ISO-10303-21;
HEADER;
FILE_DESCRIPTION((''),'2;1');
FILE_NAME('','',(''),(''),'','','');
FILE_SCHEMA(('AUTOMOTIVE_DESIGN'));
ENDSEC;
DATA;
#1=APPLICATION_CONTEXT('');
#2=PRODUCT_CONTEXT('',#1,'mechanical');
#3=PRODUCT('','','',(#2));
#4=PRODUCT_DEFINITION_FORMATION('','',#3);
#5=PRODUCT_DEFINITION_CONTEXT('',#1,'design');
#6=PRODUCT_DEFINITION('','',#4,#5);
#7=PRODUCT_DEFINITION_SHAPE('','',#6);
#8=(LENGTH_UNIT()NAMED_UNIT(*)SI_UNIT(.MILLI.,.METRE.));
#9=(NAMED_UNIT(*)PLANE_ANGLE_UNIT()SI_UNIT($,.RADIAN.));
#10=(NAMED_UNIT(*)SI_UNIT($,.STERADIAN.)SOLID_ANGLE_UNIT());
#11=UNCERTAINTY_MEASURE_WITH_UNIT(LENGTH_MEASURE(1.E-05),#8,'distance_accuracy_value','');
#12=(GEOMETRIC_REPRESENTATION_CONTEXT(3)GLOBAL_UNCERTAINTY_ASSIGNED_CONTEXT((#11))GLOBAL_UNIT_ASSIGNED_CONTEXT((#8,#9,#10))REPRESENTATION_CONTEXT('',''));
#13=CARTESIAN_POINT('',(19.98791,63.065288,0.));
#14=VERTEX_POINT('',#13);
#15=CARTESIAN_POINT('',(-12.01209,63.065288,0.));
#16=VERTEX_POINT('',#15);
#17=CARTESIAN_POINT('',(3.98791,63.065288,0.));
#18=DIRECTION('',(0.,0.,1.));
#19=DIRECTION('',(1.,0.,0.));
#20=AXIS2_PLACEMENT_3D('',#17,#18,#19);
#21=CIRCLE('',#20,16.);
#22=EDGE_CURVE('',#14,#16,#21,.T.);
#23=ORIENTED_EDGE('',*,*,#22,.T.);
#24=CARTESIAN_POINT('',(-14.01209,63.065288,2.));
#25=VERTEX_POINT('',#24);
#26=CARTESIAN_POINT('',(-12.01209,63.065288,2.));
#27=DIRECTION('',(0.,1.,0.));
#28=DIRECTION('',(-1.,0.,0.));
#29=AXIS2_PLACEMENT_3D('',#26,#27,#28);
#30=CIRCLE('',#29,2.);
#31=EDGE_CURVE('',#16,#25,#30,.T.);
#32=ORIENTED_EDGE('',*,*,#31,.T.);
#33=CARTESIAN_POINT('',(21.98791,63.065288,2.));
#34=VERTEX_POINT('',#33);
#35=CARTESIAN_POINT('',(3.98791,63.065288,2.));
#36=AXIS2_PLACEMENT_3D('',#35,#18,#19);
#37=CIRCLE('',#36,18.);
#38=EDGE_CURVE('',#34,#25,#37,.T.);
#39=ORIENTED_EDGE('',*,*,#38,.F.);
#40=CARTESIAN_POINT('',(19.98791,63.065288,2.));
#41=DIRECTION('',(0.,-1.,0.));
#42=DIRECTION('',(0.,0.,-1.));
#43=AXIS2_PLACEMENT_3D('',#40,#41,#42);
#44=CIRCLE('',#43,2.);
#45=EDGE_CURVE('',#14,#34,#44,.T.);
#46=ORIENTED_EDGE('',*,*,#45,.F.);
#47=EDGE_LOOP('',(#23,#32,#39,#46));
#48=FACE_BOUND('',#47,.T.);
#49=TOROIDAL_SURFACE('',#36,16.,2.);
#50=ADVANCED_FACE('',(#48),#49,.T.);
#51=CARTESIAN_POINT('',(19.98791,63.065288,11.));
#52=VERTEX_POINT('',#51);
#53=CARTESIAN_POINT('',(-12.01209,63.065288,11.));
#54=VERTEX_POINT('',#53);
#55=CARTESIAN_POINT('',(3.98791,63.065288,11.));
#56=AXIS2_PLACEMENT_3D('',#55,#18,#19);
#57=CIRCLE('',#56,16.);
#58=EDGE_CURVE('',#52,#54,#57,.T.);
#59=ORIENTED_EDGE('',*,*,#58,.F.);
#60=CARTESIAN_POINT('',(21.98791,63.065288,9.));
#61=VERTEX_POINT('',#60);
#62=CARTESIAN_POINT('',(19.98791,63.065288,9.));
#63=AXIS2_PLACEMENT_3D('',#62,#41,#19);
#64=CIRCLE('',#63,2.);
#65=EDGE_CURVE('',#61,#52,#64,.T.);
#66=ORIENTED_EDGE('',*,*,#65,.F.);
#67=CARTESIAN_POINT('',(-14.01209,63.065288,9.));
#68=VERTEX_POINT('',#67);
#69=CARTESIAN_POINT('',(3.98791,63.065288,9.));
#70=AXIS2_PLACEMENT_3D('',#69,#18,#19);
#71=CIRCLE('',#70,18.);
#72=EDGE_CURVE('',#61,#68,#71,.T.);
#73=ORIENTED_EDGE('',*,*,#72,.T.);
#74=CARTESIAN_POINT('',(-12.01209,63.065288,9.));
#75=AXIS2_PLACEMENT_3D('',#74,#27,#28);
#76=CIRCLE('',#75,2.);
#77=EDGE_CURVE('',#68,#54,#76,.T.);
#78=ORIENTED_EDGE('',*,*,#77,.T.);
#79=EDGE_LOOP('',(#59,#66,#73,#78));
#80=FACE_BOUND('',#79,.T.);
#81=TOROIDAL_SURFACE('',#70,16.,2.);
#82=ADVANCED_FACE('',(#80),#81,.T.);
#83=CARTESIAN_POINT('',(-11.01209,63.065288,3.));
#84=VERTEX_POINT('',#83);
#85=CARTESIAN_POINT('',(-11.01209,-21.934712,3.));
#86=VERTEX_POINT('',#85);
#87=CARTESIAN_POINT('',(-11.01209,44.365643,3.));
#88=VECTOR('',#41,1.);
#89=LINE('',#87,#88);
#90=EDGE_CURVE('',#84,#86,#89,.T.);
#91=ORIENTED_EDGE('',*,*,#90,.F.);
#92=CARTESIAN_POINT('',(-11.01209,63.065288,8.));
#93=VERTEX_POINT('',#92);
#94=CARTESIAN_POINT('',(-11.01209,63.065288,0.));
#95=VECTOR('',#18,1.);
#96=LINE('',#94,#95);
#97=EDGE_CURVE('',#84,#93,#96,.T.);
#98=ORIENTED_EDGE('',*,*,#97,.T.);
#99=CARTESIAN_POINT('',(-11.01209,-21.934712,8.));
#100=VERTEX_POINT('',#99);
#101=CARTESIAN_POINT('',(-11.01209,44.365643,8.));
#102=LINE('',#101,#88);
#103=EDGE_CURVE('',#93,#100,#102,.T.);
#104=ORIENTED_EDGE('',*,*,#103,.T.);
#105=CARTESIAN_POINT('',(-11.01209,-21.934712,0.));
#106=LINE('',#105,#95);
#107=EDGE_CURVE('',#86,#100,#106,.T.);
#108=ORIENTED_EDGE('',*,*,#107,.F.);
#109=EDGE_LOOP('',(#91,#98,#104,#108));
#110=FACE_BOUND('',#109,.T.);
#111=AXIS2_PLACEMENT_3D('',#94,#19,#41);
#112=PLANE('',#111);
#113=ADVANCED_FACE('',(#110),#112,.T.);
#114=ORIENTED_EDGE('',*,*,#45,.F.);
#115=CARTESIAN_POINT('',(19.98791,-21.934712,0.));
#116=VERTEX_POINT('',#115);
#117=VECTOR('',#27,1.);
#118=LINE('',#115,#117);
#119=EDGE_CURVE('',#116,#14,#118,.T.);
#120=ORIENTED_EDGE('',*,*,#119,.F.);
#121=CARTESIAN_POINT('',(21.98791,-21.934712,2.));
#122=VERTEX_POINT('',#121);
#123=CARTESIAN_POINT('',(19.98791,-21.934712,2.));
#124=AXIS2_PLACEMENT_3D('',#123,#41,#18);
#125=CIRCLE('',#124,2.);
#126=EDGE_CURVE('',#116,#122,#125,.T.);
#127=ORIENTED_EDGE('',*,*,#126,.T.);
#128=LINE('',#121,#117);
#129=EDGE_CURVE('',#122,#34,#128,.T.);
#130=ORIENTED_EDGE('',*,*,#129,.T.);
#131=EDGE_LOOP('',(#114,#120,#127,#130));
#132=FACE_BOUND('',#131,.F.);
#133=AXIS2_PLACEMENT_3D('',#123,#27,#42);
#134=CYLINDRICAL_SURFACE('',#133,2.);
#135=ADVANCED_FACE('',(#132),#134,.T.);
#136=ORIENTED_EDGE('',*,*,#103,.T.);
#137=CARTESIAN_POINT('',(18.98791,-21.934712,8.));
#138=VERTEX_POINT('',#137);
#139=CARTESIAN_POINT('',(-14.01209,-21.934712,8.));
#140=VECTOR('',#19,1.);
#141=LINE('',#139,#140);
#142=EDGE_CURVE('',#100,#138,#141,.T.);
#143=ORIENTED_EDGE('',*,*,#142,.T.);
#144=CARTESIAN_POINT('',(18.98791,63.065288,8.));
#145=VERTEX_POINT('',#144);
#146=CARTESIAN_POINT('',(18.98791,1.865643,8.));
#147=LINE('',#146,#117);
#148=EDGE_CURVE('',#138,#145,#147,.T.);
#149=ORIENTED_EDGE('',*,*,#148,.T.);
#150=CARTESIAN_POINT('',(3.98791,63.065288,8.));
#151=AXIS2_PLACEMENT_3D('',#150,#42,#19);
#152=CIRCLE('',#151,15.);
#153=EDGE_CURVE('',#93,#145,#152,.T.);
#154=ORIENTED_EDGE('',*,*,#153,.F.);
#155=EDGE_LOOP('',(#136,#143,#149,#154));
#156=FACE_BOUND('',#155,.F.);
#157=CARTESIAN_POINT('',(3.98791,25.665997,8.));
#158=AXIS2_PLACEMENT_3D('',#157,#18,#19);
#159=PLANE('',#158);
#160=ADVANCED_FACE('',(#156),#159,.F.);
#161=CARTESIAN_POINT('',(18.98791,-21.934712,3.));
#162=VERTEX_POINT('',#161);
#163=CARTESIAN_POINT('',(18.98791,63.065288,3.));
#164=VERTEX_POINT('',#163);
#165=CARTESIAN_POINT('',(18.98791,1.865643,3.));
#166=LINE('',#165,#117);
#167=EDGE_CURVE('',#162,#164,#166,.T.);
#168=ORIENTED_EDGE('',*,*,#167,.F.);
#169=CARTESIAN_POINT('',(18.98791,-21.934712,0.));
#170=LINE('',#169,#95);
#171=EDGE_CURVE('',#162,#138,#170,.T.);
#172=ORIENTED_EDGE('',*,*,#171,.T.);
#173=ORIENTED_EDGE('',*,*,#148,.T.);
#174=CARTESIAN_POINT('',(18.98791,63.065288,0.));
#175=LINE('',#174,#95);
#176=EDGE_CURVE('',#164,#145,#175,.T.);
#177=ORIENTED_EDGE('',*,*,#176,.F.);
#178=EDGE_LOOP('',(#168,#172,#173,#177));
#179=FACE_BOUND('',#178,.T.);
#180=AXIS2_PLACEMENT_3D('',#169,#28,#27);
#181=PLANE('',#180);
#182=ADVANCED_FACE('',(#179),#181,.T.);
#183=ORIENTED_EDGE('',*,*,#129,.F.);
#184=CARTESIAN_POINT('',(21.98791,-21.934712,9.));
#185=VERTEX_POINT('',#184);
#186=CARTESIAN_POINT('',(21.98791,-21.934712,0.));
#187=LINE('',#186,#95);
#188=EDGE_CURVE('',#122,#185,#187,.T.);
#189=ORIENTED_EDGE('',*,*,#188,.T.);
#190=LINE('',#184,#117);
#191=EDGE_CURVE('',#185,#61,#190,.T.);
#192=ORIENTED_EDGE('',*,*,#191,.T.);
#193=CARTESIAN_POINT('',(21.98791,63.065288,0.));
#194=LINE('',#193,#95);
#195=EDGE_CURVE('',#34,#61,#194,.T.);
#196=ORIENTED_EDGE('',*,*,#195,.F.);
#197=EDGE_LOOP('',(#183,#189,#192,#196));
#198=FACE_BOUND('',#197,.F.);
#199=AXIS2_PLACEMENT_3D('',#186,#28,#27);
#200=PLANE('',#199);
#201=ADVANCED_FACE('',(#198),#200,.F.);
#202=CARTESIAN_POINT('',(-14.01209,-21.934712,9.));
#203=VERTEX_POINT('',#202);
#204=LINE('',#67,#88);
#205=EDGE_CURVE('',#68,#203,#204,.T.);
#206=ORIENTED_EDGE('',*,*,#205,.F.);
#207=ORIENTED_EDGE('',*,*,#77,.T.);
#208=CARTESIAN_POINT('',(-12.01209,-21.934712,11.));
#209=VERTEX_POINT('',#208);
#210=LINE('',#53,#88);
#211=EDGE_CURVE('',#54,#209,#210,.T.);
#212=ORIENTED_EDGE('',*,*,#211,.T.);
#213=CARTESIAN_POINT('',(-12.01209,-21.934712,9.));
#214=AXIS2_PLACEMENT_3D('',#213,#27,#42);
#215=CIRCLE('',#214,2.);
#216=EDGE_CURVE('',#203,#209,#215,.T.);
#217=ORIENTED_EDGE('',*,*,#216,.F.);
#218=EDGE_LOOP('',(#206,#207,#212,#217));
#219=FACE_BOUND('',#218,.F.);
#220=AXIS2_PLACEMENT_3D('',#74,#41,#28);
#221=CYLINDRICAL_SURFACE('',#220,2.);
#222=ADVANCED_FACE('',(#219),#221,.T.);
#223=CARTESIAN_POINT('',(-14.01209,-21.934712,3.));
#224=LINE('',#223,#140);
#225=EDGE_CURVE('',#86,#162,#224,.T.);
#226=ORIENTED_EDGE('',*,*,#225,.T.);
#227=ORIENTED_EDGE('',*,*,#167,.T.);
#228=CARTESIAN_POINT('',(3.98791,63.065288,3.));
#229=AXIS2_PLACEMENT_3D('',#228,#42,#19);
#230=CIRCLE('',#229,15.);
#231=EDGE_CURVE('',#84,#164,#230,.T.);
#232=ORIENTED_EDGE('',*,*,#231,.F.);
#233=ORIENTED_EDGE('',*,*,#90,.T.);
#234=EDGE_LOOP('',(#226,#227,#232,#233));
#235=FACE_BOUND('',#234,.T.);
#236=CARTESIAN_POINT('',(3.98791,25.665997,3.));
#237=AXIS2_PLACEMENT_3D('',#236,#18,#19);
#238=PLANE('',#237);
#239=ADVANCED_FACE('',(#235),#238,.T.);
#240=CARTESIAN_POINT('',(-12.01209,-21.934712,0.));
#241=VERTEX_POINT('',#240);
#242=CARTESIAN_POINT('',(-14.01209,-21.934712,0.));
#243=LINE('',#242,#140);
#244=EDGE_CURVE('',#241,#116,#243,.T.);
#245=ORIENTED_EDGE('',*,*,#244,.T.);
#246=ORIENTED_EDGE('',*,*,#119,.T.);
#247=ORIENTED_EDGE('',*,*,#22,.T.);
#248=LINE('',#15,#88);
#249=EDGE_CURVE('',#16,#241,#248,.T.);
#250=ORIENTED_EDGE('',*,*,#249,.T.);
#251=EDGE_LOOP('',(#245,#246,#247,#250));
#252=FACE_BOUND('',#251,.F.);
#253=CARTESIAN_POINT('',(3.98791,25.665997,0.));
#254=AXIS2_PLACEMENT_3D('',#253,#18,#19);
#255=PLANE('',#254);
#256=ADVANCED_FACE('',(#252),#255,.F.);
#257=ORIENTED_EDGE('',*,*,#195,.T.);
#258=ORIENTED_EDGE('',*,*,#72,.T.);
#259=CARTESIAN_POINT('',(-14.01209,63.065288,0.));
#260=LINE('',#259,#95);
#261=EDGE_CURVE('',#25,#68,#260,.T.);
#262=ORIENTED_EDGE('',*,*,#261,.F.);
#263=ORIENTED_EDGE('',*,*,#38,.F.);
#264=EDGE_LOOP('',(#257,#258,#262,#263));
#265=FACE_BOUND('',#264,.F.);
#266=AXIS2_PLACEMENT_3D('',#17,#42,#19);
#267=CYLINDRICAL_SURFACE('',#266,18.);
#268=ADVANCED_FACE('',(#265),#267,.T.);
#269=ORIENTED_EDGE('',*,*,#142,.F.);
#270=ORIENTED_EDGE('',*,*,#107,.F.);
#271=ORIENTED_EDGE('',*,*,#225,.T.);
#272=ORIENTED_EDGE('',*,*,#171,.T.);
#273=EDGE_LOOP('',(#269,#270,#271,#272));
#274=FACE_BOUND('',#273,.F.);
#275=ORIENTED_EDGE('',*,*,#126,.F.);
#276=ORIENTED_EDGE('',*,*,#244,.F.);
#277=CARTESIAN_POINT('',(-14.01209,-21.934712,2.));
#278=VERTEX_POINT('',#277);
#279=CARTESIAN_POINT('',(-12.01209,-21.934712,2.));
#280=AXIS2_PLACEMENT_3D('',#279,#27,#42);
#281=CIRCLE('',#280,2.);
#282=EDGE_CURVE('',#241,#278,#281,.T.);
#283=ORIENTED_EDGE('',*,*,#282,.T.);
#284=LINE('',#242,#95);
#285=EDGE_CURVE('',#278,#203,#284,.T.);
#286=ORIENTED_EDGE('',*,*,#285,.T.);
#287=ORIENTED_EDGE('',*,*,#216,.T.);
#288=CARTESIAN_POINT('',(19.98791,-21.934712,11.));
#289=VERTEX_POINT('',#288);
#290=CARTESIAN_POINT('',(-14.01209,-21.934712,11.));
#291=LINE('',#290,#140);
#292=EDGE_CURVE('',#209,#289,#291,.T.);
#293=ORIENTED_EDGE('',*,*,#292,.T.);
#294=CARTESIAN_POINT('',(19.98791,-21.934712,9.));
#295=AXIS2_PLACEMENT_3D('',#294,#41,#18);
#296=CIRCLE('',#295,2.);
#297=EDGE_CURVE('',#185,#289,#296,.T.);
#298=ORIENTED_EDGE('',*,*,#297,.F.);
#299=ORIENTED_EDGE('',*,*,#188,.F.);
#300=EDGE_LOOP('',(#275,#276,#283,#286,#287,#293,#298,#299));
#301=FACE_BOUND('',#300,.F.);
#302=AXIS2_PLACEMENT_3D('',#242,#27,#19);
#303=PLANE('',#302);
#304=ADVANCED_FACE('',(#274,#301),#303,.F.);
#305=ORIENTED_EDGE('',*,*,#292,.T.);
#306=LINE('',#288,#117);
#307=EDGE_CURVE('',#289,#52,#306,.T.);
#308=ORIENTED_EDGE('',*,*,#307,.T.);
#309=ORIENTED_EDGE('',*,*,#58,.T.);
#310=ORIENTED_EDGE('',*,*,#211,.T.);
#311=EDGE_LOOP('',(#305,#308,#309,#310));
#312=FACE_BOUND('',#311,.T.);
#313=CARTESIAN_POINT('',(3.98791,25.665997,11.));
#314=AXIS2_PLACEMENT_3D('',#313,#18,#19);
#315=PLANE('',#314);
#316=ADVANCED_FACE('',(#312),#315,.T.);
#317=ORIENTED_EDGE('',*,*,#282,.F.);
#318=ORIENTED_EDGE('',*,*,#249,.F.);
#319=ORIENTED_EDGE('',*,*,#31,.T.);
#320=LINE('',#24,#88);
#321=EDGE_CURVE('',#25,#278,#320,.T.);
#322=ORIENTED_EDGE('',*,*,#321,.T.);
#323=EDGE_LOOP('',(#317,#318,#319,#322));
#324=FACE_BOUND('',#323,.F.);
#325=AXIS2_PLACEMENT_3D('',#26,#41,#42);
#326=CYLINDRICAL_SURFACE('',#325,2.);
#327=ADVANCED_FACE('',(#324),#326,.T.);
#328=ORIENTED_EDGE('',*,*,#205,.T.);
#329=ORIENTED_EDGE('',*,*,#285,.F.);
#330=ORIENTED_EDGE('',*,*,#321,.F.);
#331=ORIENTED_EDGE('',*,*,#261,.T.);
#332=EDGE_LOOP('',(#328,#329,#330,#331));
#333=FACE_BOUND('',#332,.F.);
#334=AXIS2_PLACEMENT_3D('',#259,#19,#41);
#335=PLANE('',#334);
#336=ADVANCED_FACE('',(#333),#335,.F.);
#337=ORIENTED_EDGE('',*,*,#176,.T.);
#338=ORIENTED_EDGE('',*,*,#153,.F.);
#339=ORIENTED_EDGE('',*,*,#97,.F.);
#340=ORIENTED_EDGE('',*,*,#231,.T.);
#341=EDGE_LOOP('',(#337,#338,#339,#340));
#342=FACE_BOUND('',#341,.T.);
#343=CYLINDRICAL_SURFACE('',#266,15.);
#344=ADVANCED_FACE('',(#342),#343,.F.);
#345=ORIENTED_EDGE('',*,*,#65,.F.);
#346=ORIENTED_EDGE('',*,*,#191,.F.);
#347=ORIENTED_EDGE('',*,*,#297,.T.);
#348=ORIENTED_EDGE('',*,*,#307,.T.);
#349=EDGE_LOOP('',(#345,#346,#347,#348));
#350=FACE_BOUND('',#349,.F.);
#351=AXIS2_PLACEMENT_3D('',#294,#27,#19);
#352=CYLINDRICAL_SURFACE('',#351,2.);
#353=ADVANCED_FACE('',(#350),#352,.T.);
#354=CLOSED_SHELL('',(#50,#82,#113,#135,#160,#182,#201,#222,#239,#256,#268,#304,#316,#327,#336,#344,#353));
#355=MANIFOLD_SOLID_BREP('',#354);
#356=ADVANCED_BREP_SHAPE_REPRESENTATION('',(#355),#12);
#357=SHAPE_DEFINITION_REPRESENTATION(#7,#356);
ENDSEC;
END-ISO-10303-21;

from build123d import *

# Parameters (mm, degrees)
F1_DEPTH = 11
F2_T     = -3
F3_R     = 2
F4_R     = 2


with BuildPart() as f1:
    # F0 (on Top) → F1 (new body)
    with BuildSketch(Plane.XY):
        with BuildLine():
            Line((21.98791, -21.934712), (21.98791, 63.065288))
            ThreePointArc((21.98791, 63.065288), (3.98791, 81.065288), (-14.01209, 63.065288))
            Line((-14.01209, 63.065288), (-14.01209, -21.934712))
            Line((-14.01209, -21.934712), (21.98791, -21.934712))
        make_face()
    extrude(amount=F1_DEPTH)

    # F2
    f2_openings = [f1.faces().sort_by_distance(p)[0] for p in [
        (3.98791, -21.934712, 5.5),
    ]]
    offset(amount=F2_T, openings=f2_openings)

    # F3
    f3_edges = [f1.edges().sort_by_distance(p)[0] for p in [
        (-14.01209, 20.565288, 11),
        (3.98791, 81.065288, 11),
        (21.98791, 20.565288, 11),
    ]]
    fillet(f3_edges, radius=F3_R)

    # F4
    f4_edges = [f1.edges().sort_by_distance(p)[0] for p in [
        (-14.01209, 20.565288, 0),
        (21.98791, 20.565288, 0),
        (3.98791, 81.065288, 0),
    ]]
    fillet(f4_edges, radius=F4_R)


solid = f1.part
